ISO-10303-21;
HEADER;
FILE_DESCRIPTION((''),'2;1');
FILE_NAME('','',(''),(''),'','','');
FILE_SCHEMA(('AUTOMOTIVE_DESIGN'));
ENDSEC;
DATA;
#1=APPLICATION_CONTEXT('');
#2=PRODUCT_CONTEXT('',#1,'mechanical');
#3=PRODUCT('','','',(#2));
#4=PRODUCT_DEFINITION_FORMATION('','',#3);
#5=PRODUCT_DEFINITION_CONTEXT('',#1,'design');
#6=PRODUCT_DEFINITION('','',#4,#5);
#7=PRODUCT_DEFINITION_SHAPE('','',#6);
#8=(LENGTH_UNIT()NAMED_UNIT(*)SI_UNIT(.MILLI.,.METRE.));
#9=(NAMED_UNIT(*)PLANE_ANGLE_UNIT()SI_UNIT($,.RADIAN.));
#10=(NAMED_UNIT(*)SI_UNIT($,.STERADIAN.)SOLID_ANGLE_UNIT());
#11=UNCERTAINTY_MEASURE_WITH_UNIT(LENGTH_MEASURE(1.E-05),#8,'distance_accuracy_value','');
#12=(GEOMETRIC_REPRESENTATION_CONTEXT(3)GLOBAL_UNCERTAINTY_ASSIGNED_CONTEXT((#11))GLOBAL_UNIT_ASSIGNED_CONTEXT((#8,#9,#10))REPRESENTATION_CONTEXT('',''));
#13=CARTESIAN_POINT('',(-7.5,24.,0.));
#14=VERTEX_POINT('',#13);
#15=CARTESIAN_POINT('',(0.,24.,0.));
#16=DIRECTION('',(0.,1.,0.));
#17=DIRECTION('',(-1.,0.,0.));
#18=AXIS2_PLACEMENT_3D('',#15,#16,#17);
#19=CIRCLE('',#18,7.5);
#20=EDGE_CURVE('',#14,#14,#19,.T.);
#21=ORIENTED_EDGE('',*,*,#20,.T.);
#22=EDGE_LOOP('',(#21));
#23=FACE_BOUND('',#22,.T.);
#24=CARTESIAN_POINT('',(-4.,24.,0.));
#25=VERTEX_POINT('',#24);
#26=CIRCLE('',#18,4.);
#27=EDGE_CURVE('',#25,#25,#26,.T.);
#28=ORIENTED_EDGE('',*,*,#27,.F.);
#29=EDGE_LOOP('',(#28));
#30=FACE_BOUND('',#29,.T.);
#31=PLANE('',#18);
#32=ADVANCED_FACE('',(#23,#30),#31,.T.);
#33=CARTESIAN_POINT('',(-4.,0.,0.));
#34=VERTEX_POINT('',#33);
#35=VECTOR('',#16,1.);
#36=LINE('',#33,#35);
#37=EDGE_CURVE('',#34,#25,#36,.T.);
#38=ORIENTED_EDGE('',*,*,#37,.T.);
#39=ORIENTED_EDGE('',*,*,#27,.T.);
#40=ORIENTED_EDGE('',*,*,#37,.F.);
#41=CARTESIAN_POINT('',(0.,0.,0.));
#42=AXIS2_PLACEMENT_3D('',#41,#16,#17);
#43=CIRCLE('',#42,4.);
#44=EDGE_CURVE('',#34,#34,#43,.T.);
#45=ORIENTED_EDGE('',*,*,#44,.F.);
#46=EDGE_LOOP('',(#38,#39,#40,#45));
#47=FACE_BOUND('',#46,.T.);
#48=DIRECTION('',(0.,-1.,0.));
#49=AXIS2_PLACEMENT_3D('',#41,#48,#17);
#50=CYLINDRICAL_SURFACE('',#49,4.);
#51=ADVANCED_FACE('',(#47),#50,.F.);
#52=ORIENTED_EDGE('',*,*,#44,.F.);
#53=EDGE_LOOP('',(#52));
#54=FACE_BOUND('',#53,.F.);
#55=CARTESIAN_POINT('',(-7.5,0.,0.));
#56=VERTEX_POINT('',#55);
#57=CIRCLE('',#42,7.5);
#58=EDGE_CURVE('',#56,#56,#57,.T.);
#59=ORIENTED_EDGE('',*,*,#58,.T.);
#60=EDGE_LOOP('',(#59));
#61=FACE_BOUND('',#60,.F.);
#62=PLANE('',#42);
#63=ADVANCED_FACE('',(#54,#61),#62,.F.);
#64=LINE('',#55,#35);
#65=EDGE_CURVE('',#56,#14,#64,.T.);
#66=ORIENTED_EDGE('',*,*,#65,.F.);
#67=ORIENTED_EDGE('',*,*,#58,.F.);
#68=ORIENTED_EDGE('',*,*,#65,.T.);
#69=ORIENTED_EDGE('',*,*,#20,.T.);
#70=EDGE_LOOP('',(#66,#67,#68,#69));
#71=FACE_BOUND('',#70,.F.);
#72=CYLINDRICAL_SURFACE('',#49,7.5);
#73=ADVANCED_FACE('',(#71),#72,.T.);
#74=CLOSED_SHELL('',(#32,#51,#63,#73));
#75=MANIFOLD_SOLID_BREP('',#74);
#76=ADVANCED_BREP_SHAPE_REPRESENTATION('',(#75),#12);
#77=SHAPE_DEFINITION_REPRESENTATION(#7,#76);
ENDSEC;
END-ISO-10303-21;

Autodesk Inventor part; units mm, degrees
ref_plane "YZ Plane" through (0, 0, 0) normal (1, 0, 0) x (0, 1, 0)
ref_plane "XZ Plane" through (0, 0, 0) normal (0, 1, 0) x (-1, 0, 0)
ref_plane "XY Plane" through (0, 0, 0) normal (0, 0, 1) x (1, 0, 0)
sketch "スケッチ1" plane through (0, 0, 0) normal (0, 1, 0) x (-1, 0, 0)
  circle A0 centre (0, 0) radius 4
  circle A1 centre (0, 0) radius 7.5
  dimension "d0" = 8
  dimension "d1" = 15
extrude "押し出し1" add sketch "スケッチ1" along normal blind 24
properties part number "linearbush_sa_1" material "鉄、ねずみ鋳鉄"
